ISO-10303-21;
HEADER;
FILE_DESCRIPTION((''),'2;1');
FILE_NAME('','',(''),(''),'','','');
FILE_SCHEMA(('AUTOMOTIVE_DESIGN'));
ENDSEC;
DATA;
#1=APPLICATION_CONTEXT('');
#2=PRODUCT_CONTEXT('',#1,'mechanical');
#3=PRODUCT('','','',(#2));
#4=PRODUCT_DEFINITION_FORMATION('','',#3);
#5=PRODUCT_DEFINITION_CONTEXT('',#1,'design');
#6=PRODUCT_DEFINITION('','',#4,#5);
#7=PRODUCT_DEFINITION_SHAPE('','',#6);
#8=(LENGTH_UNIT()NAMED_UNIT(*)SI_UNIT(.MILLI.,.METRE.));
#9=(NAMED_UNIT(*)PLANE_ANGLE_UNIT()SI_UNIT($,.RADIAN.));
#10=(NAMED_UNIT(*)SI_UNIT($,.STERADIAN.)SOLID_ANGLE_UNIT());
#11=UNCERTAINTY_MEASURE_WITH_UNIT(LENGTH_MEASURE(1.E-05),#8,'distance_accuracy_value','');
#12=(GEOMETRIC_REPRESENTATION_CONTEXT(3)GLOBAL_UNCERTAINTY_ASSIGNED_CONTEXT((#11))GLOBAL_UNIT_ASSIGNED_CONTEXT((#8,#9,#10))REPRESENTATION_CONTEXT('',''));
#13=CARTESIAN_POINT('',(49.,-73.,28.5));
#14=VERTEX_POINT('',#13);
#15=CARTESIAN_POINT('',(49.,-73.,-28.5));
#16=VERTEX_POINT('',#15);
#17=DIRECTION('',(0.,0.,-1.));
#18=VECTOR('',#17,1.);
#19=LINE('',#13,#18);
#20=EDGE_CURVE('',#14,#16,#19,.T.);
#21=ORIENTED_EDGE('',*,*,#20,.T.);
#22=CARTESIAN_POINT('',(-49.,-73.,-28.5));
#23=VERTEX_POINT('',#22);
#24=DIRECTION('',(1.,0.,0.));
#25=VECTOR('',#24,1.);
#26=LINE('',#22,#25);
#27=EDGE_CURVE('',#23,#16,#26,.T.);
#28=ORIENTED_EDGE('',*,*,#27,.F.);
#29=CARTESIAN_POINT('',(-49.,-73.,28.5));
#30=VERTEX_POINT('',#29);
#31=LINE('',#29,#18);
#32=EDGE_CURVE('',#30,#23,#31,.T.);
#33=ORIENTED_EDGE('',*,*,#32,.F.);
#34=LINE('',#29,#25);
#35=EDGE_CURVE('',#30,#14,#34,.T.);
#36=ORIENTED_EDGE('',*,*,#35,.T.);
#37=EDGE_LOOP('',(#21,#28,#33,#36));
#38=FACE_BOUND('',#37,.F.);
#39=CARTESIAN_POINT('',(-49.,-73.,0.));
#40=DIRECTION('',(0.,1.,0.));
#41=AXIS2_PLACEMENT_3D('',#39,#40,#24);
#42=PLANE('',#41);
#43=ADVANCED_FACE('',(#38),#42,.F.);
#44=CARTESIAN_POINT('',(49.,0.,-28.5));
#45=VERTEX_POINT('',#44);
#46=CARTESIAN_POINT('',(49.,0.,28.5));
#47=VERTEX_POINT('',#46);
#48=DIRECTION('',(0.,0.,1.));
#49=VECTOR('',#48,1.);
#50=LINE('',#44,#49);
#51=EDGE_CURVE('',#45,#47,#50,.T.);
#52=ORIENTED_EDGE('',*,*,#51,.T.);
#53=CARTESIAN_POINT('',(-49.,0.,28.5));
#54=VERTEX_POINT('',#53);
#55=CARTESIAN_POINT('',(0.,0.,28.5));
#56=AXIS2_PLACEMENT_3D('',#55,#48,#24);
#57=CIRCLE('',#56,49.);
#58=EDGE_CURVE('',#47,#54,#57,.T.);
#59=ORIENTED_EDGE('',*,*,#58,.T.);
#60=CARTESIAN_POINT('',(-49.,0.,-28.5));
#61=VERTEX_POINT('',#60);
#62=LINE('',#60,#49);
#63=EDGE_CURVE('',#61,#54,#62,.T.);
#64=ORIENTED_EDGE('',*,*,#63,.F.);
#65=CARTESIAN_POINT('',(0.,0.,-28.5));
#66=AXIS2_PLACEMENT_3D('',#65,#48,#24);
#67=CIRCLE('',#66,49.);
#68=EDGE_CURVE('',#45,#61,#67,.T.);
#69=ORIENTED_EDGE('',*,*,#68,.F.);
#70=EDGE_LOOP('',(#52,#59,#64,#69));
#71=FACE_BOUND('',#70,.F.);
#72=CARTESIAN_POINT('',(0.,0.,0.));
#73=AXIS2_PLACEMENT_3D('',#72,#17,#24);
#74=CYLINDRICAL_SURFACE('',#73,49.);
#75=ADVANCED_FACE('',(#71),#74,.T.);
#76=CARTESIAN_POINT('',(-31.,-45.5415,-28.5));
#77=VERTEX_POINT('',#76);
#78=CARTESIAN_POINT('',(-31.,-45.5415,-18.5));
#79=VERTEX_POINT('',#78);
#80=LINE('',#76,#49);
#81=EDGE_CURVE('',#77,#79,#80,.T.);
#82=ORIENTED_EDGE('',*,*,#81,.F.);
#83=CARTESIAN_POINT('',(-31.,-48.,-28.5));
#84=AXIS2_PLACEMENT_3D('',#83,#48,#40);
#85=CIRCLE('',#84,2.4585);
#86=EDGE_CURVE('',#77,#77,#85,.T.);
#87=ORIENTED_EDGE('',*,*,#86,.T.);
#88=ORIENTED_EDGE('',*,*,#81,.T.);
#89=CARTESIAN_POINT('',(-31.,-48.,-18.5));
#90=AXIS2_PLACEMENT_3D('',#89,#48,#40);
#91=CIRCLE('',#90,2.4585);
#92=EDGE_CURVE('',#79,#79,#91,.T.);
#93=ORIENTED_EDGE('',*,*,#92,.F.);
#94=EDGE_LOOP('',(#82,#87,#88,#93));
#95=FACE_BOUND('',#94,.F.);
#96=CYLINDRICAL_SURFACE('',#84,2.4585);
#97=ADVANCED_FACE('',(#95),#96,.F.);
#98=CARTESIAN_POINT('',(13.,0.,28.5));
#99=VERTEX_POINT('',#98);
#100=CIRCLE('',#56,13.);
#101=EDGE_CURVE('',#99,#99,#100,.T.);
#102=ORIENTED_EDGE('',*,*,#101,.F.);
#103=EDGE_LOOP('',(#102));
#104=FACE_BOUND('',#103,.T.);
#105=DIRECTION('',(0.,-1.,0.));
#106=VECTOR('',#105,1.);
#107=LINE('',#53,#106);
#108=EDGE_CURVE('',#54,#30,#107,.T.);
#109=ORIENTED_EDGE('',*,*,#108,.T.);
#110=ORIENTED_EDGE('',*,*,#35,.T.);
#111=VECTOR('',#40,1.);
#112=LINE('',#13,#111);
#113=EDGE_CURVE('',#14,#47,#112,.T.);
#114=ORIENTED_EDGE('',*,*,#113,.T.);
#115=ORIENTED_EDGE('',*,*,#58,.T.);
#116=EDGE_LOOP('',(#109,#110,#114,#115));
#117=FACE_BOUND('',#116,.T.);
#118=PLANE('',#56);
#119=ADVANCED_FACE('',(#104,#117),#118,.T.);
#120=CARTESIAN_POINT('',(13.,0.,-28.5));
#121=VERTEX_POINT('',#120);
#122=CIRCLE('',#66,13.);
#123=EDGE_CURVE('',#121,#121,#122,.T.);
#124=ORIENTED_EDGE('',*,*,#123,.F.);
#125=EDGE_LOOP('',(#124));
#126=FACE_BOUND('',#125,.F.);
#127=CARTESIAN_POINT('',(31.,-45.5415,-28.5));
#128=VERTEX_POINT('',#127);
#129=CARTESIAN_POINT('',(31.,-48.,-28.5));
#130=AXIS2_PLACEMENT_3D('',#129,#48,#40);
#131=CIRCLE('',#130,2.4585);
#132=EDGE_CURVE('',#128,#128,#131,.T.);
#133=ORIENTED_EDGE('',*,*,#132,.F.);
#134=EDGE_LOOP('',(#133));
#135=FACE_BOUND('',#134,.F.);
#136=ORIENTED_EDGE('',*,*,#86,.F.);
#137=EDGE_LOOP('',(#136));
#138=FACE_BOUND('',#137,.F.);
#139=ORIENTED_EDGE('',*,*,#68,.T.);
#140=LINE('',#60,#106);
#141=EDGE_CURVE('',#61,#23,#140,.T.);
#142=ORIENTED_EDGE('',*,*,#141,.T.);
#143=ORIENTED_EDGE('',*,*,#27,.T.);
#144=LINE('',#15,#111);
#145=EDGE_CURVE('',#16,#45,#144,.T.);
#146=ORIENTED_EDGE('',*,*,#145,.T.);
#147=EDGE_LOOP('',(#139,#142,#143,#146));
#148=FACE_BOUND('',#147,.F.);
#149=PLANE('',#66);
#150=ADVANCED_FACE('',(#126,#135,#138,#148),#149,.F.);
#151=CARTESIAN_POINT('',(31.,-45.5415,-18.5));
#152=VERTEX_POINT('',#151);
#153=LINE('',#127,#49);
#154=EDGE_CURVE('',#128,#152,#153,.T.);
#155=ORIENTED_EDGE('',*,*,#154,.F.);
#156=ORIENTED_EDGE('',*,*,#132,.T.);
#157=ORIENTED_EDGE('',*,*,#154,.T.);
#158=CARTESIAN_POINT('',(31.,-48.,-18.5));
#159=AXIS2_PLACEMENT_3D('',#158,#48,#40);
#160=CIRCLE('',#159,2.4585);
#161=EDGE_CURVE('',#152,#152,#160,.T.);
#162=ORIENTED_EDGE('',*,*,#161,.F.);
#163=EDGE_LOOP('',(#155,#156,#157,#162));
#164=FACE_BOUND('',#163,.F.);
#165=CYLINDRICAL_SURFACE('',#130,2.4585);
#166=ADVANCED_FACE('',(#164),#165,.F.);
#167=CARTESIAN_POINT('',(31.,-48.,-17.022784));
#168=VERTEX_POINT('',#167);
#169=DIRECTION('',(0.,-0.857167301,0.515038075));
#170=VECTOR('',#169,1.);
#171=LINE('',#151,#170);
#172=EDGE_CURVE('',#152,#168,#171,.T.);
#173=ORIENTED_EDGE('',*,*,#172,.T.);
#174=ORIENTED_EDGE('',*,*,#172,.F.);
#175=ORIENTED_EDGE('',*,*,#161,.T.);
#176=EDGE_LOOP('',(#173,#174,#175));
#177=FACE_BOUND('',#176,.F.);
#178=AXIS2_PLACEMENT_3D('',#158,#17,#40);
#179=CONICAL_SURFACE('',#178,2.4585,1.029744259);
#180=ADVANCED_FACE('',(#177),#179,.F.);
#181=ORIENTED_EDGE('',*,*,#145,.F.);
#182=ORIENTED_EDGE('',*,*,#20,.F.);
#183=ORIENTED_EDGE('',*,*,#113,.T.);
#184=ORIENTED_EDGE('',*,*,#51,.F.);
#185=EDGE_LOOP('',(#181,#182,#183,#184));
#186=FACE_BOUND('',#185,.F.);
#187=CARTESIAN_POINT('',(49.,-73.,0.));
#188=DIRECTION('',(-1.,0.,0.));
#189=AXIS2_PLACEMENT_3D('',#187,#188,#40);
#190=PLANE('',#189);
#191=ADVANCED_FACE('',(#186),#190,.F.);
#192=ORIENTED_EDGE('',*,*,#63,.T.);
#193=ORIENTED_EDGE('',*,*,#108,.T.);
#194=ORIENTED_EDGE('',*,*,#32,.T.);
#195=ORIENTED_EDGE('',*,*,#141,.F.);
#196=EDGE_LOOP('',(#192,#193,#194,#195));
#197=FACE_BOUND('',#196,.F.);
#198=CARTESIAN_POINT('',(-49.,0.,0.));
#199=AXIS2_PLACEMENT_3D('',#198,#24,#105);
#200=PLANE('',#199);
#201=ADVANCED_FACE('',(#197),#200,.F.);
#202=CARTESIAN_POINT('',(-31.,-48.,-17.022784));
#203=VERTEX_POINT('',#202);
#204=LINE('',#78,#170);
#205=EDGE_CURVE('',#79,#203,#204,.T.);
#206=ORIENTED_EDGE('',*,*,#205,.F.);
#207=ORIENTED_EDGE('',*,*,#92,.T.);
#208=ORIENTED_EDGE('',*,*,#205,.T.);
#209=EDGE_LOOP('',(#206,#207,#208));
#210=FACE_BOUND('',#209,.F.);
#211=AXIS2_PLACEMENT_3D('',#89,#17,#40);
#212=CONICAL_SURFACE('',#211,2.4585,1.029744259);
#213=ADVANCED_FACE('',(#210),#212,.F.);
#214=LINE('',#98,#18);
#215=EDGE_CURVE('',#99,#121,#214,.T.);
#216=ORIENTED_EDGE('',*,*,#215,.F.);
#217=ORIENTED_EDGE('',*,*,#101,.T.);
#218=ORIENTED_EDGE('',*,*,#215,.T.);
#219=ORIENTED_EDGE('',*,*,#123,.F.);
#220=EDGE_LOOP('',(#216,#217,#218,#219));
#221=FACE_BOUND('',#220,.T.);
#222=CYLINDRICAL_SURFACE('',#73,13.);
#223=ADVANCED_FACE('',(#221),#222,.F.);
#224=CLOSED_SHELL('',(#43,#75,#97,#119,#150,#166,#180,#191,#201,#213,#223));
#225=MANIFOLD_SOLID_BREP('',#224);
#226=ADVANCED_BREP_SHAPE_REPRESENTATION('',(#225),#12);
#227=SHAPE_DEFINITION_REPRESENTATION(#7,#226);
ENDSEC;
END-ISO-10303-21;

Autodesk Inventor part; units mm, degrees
ref_plane "YZ Plane" through (0, 0, 0) normal (1, 0, 0) x (0, 1, 0)
ref_plane "XZ Plane" through (0, 0, 0) normal (0, 1, 0) x (-1, 0, 0)
ref_plane "XY Plane" through (0, 0, 0) normal (0, 0, 1) x (1, 0, 0)
sketch "Sketch1" plane through (0, 0, 0) normal (0, 0, 1) x (1, 0, 0)
  line L0 (0, 73.4) -> (0, -97.4) construction
  line L1 (-68.6, 0) -> (68.6, 0) construction
  circle A0 centre (0, 0) radius 13
  arc A1 (49, 0) -> (-49, 0) centre (0, 0) ccw
  line L2 (-49, 0) -> (-49, -73)
  line L3 (-49, -73) -> (49, -73)
  line L4 (49, -73) -> (49, 0)
  dimension "d0" = 26
  dimension "d1" = 49
  dimension "d2" = 73
extrude "Extrusion1" add sketch "Sketch1" along normal mid plane 57
sketch "Sketch2" plane through (0, 0, -28.5) normal (0, 0, -1) x (-1, 0, 0)
  line L0 (-49, -73) -> (49, -73) projected
  point P0 (0, 0)
  point P1 (31, -48)
  point P2 (-31, -48)
  dimension "d5" = 31
  dimension "d6" = 31
  dimension "d7" = 25
hole "Hole1" at (-31, -48, -28.5) at (31, -48, -28.5) direction (0, 0, 1) diameter 4.917 depth 10 tip angle 118 thread size "M6x1" class "6H" standard "ISO Metric profile"
equation "\"d6\" = d5"
properties part number "Current_transducer"
